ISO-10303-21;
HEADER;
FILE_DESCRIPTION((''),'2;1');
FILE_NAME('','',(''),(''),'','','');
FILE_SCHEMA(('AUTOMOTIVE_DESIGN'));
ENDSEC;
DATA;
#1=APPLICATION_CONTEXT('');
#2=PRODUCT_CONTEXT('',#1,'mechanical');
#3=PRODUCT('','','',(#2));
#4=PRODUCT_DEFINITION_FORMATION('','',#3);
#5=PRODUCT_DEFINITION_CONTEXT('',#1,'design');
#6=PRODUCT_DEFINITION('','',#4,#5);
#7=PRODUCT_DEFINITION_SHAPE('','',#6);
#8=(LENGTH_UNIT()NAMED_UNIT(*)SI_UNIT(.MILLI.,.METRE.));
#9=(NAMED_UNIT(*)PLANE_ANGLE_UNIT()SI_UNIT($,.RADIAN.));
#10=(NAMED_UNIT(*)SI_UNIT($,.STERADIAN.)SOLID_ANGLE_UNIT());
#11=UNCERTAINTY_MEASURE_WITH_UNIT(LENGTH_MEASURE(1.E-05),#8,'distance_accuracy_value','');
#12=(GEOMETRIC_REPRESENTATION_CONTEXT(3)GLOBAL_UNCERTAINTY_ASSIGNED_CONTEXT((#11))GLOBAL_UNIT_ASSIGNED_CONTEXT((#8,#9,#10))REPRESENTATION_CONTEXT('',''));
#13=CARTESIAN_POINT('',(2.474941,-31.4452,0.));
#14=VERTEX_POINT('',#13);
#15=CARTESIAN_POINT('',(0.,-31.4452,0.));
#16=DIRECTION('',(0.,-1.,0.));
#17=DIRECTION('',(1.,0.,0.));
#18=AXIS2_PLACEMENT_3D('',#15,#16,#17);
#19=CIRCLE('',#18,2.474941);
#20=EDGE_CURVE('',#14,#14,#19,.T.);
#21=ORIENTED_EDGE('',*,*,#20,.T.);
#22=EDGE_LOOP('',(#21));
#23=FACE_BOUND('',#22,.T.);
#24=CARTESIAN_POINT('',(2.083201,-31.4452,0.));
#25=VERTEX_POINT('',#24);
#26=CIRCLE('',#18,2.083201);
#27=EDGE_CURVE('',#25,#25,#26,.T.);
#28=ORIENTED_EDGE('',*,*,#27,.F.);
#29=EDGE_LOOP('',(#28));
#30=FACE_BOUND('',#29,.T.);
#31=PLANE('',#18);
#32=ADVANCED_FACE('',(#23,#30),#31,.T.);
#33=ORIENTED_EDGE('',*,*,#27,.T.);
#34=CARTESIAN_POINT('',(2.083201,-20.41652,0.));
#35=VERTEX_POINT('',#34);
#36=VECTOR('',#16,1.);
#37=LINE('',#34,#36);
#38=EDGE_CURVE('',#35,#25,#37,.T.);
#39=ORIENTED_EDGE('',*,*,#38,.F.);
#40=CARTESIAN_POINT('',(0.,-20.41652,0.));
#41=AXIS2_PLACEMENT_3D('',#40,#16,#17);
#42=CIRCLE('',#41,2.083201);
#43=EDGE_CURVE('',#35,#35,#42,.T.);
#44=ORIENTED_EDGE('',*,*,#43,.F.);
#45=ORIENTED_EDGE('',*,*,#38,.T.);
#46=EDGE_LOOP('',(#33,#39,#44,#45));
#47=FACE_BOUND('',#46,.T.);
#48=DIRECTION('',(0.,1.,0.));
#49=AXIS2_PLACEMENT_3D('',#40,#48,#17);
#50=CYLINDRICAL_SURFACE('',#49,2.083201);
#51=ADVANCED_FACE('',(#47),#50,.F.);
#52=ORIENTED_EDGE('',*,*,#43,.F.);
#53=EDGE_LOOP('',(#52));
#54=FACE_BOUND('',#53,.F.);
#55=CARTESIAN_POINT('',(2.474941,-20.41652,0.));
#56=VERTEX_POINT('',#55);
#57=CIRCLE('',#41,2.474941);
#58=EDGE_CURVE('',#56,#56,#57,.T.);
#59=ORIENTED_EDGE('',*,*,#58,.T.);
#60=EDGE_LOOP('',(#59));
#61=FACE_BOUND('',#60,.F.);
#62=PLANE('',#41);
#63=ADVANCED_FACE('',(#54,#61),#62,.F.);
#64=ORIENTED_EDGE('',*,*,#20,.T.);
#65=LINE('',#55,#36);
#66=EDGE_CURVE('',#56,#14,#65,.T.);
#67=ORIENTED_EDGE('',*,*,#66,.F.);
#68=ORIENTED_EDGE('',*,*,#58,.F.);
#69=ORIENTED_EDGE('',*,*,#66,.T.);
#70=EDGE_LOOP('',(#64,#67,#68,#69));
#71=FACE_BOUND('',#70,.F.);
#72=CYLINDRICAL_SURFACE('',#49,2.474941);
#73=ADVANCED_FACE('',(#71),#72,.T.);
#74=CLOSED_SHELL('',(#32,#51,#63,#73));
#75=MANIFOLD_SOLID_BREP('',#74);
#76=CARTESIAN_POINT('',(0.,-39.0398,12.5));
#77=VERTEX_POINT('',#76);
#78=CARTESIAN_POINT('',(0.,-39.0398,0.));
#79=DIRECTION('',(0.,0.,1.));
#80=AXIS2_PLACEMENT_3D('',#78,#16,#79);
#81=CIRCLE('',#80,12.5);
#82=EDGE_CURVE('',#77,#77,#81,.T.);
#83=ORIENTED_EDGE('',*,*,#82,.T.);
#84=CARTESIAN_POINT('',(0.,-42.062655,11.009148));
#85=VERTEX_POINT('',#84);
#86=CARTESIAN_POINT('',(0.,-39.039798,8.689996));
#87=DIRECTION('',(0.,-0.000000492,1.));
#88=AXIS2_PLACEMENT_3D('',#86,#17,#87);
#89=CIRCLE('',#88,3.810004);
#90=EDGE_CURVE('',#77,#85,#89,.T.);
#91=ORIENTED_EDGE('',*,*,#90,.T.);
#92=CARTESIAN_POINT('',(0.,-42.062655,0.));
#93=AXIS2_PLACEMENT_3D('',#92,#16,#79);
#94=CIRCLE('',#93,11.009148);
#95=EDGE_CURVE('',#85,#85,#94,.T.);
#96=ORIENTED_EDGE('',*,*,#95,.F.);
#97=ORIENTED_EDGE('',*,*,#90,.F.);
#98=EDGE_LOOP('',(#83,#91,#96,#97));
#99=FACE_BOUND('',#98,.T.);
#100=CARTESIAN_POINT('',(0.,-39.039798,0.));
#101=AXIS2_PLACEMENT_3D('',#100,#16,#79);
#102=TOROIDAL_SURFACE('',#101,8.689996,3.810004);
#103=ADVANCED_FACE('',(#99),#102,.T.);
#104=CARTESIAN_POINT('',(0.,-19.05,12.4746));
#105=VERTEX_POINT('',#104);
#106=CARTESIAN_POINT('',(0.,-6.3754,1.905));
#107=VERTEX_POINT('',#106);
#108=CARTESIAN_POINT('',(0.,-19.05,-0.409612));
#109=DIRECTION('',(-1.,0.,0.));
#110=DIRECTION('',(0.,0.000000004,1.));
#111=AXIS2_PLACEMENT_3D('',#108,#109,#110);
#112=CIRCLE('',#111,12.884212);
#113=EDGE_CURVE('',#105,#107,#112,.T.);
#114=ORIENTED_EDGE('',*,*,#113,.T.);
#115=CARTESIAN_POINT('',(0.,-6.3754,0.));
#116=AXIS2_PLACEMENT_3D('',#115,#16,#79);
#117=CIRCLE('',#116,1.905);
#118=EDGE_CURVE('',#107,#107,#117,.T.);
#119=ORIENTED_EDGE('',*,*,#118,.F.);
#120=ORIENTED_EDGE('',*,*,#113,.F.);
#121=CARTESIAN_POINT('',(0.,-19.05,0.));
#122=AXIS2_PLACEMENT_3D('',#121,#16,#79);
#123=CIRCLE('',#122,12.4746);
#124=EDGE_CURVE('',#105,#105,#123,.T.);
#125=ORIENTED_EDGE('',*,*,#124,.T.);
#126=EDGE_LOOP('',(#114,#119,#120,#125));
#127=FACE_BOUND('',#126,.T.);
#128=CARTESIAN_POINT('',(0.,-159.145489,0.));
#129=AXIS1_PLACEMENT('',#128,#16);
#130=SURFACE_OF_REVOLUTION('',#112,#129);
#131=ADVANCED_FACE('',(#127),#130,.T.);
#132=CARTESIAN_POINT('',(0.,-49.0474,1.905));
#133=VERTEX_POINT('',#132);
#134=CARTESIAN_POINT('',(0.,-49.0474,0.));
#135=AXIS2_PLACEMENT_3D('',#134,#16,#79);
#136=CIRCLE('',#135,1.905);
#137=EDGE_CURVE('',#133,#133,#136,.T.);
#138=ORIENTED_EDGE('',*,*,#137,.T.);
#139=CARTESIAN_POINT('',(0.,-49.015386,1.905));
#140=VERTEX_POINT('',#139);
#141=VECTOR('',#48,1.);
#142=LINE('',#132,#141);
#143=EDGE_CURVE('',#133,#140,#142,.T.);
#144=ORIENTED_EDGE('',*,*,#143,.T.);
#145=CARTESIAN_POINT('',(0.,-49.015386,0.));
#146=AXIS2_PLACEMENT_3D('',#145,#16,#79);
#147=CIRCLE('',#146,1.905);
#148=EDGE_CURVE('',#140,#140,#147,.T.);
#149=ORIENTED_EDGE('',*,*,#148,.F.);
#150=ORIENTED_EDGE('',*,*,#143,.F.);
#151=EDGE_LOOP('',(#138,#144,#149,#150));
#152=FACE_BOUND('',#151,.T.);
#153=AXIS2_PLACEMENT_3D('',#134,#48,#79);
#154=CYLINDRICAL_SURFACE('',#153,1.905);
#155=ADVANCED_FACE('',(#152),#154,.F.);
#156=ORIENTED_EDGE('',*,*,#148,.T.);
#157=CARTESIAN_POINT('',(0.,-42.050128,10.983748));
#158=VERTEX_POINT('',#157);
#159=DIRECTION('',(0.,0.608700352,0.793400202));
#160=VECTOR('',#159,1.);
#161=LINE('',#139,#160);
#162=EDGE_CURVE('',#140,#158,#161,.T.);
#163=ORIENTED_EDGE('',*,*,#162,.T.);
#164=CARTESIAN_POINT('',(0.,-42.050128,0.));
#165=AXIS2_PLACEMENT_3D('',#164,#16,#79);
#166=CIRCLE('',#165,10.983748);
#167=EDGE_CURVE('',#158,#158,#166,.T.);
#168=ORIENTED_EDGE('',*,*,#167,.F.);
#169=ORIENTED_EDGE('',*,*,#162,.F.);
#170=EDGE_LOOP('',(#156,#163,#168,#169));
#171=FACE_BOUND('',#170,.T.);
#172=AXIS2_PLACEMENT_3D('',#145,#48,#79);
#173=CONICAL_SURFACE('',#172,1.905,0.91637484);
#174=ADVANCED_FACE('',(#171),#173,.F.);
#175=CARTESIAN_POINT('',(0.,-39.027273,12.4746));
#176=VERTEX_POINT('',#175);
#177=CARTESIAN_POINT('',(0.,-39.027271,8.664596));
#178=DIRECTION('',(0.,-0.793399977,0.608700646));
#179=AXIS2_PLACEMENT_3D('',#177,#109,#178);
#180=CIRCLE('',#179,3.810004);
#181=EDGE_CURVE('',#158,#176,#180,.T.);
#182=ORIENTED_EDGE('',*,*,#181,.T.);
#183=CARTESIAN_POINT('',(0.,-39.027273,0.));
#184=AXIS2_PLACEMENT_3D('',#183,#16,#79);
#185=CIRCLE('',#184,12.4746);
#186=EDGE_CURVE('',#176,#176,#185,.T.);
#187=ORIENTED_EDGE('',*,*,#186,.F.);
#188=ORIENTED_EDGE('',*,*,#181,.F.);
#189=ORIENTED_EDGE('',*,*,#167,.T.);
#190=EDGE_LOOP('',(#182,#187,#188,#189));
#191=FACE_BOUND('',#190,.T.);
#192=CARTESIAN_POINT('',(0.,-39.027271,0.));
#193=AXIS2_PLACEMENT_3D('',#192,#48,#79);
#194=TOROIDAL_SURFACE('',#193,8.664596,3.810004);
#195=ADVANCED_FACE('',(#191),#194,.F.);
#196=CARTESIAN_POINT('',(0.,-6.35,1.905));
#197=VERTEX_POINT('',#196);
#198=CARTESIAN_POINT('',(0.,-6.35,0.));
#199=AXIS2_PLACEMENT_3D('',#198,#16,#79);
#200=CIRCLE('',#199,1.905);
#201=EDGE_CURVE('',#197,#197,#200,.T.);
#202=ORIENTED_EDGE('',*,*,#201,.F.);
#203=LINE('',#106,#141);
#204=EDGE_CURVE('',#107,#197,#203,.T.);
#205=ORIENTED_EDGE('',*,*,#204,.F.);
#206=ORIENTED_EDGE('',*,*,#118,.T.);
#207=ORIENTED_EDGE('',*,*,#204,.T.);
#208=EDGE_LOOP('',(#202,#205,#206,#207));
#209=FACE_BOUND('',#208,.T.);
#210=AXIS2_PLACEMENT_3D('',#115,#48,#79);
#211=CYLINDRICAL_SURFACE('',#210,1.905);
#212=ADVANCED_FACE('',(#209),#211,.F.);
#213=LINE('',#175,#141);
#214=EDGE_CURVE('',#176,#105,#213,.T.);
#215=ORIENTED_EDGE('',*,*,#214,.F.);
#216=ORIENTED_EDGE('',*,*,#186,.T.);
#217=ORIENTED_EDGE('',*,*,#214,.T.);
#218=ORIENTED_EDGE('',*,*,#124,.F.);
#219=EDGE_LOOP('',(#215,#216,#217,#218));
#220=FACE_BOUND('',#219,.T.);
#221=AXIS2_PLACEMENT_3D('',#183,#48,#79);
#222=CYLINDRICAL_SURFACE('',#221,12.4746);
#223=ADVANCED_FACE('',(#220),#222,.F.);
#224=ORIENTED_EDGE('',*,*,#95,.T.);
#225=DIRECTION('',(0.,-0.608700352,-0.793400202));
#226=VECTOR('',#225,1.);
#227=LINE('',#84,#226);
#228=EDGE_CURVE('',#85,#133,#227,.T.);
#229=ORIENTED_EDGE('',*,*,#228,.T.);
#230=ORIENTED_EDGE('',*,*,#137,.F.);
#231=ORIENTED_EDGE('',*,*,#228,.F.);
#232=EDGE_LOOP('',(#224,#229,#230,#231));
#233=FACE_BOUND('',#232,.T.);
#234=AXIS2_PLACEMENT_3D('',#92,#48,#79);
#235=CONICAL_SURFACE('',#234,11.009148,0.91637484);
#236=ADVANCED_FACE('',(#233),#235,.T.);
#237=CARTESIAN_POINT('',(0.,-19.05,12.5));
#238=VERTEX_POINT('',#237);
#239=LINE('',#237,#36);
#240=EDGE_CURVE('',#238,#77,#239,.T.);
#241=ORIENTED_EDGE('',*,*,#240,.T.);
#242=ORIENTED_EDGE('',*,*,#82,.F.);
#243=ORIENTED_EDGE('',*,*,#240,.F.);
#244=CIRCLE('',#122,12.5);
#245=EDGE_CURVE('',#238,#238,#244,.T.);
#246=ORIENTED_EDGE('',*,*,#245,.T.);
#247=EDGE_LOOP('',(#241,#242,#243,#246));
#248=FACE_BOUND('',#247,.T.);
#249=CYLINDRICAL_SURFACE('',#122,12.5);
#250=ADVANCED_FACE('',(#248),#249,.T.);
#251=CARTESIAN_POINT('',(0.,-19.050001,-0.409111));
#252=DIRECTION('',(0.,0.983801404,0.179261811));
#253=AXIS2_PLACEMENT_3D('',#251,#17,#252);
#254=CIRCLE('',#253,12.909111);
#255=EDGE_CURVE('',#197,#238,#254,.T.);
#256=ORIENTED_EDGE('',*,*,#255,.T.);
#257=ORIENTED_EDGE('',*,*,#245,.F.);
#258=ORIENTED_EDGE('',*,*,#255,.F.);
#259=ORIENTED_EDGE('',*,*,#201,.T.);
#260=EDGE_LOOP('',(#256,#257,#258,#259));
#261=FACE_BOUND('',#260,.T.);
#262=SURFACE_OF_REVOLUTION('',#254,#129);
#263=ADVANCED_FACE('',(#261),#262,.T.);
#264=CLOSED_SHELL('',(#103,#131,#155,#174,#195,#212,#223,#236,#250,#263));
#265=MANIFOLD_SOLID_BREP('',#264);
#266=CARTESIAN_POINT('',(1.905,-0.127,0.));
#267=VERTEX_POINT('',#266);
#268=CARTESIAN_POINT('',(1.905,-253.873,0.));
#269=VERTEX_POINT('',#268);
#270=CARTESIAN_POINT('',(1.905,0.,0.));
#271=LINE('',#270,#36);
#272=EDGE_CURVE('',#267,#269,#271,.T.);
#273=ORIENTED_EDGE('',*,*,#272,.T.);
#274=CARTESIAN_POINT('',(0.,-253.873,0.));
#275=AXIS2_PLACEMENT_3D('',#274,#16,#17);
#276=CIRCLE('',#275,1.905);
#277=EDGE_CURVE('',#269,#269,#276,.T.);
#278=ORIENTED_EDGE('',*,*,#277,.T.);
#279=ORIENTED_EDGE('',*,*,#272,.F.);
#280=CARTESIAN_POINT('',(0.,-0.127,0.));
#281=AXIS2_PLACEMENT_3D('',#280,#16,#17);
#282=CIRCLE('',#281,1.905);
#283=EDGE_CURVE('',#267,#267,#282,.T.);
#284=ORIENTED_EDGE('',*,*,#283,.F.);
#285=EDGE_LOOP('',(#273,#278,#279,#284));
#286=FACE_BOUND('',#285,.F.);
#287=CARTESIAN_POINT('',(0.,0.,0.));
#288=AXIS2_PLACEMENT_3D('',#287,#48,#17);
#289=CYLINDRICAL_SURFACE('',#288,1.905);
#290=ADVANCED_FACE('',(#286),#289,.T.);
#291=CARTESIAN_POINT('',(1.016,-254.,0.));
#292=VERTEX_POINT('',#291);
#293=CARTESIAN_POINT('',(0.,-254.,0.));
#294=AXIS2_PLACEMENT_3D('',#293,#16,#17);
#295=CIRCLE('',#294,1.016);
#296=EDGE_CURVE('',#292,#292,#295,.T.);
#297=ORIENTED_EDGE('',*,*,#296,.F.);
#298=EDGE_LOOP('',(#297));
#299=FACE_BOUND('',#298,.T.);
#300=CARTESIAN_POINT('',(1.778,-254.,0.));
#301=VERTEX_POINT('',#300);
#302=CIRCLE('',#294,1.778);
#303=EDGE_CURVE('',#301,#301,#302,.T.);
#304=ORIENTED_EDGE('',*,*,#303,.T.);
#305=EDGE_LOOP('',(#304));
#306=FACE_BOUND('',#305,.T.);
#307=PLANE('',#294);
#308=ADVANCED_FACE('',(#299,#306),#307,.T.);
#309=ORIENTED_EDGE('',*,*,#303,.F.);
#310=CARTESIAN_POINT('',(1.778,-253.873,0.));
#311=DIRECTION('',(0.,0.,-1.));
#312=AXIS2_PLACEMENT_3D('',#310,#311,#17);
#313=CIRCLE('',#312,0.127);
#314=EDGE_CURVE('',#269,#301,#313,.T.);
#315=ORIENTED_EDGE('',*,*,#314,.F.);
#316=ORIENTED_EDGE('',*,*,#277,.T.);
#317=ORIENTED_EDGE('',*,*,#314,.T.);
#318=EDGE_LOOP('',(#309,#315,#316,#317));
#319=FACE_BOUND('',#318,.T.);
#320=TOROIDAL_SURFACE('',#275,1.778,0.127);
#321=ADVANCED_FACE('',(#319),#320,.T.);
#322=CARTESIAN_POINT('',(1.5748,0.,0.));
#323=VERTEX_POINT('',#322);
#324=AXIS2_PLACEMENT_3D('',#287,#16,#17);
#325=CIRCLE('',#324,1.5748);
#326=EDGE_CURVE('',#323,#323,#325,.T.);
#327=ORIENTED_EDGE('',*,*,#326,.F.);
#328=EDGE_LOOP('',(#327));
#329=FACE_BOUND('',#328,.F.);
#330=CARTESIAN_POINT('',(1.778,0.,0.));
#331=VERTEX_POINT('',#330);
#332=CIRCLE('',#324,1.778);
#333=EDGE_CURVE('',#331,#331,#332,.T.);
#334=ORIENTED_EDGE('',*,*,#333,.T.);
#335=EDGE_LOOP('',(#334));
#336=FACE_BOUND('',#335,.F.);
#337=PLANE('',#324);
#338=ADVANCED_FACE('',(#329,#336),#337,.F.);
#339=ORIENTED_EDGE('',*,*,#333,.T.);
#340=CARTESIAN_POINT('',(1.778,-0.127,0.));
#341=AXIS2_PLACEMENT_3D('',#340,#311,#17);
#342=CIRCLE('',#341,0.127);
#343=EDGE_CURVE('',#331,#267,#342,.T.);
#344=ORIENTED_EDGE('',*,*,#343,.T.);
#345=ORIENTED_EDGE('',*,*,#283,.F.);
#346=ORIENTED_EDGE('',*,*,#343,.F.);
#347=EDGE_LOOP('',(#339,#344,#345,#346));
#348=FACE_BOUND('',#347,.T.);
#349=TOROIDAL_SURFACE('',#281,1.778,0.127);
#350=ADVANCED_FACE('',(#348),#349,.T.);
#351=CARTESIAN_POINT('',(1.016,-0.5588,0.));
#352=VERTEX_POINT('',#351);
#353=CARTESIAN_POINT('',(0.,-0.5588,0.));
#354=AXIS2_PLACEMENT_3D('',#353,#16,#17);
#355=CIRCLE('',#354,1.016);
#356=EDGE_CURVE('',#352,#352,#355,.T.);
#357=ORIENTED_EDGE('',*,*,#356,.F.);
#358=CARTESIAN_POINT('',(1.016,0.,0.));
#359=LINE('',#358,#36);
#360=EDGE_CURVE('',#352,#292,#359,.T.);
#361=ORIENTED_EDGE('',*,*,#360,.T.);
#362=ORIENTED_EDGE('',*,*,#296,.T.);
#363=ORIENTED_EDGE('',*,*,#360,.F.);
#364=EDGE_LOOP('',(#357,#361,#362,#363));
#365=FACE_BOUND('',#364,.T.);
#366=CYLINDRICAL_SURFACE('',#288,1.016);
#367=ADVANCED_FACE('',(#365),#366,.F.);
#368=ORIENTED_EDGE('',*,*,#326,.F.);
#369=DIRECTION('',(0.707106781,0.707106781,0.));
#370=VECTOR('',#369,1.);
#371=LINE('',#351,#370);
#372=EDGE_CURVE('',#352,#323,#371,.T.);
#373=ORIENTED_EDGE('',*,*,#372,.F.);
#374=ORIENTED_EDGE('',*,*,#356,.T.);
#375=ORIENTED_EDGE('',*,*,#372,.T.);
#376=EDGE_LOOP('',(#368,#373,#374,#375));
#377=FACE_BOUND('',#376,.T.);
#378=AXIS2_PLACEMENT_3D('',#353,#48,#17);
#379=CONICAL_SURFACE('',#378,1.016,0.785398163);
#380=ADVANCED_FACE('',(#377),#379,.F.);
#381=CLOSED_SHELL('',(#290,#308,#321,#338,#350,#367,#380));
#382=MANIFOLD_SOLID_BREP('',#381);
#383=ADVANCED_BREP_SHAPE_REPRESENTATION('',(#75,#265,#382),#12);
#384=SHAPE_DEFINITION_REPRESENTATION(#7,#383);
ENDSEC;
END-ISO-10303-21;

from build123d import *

# Parameters (mm, degrees)
F0_R      = 1.905
F0_R_2    = 1.016
F1_DEPTH  = 254
F2_SIZE   = 0.5588
F3_R      = 0.127
F4_R      = 0.127
F12_R     = 2.474941
F12_R_2   = 2.083201
F13_DEPTH = 11.02868


with BuildPart() as f1:
    # F0 (on Front) → F1 (new body)
    with BuildSketch(Plane.XZ):
        Circle(F0_R)
        Circle(F0_R_2, mode=Mode.SUBTRACT)
    extrude(amount=F1_DEPTH)

    # F2
    f2_edges = [f1.edges().sort_by_distance(p)[0] for p in [
        (-1.016, 0, 0),
    ]]
    chamfer(f2_edges, length=F2_SIZE)

    # F3
    f3_edges = [f1.edges().sort_by_distance(p)[0] for p in [
        (-1.905, 0, 0),
    ]]
    fillet(f3_edges, radius=F3_R)

    # F4
    f4_edges = [f1.edges().sort_by_distance(p)[0] for p in [
        (-1.905, -254, 0),
    ]]
    fillet(f4_edges, radius=F4_R)


with BuildPart() as f7:
    # F6 (on Right) → F7 (revolve)
    with BuildSketch(Plane.YZ):
        with BuildLine():
            Line((-42.062655, 11.009148), (-49.0474, 1.905))
            Line((-49.0474, 1.905), (-49.015386, 1.905))
            Line((-49.015386, 1.905), (-42.050128, 10.983748))
            ThreePointArc((-42.050128, 10.983748), (-40.712524, 12.08162), (-39.027273, 12.4746))
            Line((-39.027273, 12.4746), (-19.05, 12.4746))
            ThreePointArc((-19.05, 12.4746), (-10.798304, 9.485459), (-6.3754, 1.905))
            Line((-6.3754, 1.905), (-6.35, 1.905))
            ThreePointArc((-6.35, 1.905), (-10.780417, 9.503463), (-19.05, 12.5))
            Line((-19.05, 12.5), (-39.0398, 12.5))
            ThreePointArc((-39.0398, 12.5), (-40.725051, 12.10702), (-42.062655, 11.009148))
        make_face()
    revolve(axis=Axis((0, -159.145489, 0), (0, -1, 0)))


with BuildPart() as f13:
    # F12 (on offset) → F13 (new body, through all)
    with BuildSketch(Plane.XZ.offset(20.41652)):
        Circle(F12_R)
        Circle(F12_R_2, mode=Mode.SUBTRACT)
    extrude(amount=F13_DEPTH)


solid = Compound([f1.part, f7.part, f13.part])
